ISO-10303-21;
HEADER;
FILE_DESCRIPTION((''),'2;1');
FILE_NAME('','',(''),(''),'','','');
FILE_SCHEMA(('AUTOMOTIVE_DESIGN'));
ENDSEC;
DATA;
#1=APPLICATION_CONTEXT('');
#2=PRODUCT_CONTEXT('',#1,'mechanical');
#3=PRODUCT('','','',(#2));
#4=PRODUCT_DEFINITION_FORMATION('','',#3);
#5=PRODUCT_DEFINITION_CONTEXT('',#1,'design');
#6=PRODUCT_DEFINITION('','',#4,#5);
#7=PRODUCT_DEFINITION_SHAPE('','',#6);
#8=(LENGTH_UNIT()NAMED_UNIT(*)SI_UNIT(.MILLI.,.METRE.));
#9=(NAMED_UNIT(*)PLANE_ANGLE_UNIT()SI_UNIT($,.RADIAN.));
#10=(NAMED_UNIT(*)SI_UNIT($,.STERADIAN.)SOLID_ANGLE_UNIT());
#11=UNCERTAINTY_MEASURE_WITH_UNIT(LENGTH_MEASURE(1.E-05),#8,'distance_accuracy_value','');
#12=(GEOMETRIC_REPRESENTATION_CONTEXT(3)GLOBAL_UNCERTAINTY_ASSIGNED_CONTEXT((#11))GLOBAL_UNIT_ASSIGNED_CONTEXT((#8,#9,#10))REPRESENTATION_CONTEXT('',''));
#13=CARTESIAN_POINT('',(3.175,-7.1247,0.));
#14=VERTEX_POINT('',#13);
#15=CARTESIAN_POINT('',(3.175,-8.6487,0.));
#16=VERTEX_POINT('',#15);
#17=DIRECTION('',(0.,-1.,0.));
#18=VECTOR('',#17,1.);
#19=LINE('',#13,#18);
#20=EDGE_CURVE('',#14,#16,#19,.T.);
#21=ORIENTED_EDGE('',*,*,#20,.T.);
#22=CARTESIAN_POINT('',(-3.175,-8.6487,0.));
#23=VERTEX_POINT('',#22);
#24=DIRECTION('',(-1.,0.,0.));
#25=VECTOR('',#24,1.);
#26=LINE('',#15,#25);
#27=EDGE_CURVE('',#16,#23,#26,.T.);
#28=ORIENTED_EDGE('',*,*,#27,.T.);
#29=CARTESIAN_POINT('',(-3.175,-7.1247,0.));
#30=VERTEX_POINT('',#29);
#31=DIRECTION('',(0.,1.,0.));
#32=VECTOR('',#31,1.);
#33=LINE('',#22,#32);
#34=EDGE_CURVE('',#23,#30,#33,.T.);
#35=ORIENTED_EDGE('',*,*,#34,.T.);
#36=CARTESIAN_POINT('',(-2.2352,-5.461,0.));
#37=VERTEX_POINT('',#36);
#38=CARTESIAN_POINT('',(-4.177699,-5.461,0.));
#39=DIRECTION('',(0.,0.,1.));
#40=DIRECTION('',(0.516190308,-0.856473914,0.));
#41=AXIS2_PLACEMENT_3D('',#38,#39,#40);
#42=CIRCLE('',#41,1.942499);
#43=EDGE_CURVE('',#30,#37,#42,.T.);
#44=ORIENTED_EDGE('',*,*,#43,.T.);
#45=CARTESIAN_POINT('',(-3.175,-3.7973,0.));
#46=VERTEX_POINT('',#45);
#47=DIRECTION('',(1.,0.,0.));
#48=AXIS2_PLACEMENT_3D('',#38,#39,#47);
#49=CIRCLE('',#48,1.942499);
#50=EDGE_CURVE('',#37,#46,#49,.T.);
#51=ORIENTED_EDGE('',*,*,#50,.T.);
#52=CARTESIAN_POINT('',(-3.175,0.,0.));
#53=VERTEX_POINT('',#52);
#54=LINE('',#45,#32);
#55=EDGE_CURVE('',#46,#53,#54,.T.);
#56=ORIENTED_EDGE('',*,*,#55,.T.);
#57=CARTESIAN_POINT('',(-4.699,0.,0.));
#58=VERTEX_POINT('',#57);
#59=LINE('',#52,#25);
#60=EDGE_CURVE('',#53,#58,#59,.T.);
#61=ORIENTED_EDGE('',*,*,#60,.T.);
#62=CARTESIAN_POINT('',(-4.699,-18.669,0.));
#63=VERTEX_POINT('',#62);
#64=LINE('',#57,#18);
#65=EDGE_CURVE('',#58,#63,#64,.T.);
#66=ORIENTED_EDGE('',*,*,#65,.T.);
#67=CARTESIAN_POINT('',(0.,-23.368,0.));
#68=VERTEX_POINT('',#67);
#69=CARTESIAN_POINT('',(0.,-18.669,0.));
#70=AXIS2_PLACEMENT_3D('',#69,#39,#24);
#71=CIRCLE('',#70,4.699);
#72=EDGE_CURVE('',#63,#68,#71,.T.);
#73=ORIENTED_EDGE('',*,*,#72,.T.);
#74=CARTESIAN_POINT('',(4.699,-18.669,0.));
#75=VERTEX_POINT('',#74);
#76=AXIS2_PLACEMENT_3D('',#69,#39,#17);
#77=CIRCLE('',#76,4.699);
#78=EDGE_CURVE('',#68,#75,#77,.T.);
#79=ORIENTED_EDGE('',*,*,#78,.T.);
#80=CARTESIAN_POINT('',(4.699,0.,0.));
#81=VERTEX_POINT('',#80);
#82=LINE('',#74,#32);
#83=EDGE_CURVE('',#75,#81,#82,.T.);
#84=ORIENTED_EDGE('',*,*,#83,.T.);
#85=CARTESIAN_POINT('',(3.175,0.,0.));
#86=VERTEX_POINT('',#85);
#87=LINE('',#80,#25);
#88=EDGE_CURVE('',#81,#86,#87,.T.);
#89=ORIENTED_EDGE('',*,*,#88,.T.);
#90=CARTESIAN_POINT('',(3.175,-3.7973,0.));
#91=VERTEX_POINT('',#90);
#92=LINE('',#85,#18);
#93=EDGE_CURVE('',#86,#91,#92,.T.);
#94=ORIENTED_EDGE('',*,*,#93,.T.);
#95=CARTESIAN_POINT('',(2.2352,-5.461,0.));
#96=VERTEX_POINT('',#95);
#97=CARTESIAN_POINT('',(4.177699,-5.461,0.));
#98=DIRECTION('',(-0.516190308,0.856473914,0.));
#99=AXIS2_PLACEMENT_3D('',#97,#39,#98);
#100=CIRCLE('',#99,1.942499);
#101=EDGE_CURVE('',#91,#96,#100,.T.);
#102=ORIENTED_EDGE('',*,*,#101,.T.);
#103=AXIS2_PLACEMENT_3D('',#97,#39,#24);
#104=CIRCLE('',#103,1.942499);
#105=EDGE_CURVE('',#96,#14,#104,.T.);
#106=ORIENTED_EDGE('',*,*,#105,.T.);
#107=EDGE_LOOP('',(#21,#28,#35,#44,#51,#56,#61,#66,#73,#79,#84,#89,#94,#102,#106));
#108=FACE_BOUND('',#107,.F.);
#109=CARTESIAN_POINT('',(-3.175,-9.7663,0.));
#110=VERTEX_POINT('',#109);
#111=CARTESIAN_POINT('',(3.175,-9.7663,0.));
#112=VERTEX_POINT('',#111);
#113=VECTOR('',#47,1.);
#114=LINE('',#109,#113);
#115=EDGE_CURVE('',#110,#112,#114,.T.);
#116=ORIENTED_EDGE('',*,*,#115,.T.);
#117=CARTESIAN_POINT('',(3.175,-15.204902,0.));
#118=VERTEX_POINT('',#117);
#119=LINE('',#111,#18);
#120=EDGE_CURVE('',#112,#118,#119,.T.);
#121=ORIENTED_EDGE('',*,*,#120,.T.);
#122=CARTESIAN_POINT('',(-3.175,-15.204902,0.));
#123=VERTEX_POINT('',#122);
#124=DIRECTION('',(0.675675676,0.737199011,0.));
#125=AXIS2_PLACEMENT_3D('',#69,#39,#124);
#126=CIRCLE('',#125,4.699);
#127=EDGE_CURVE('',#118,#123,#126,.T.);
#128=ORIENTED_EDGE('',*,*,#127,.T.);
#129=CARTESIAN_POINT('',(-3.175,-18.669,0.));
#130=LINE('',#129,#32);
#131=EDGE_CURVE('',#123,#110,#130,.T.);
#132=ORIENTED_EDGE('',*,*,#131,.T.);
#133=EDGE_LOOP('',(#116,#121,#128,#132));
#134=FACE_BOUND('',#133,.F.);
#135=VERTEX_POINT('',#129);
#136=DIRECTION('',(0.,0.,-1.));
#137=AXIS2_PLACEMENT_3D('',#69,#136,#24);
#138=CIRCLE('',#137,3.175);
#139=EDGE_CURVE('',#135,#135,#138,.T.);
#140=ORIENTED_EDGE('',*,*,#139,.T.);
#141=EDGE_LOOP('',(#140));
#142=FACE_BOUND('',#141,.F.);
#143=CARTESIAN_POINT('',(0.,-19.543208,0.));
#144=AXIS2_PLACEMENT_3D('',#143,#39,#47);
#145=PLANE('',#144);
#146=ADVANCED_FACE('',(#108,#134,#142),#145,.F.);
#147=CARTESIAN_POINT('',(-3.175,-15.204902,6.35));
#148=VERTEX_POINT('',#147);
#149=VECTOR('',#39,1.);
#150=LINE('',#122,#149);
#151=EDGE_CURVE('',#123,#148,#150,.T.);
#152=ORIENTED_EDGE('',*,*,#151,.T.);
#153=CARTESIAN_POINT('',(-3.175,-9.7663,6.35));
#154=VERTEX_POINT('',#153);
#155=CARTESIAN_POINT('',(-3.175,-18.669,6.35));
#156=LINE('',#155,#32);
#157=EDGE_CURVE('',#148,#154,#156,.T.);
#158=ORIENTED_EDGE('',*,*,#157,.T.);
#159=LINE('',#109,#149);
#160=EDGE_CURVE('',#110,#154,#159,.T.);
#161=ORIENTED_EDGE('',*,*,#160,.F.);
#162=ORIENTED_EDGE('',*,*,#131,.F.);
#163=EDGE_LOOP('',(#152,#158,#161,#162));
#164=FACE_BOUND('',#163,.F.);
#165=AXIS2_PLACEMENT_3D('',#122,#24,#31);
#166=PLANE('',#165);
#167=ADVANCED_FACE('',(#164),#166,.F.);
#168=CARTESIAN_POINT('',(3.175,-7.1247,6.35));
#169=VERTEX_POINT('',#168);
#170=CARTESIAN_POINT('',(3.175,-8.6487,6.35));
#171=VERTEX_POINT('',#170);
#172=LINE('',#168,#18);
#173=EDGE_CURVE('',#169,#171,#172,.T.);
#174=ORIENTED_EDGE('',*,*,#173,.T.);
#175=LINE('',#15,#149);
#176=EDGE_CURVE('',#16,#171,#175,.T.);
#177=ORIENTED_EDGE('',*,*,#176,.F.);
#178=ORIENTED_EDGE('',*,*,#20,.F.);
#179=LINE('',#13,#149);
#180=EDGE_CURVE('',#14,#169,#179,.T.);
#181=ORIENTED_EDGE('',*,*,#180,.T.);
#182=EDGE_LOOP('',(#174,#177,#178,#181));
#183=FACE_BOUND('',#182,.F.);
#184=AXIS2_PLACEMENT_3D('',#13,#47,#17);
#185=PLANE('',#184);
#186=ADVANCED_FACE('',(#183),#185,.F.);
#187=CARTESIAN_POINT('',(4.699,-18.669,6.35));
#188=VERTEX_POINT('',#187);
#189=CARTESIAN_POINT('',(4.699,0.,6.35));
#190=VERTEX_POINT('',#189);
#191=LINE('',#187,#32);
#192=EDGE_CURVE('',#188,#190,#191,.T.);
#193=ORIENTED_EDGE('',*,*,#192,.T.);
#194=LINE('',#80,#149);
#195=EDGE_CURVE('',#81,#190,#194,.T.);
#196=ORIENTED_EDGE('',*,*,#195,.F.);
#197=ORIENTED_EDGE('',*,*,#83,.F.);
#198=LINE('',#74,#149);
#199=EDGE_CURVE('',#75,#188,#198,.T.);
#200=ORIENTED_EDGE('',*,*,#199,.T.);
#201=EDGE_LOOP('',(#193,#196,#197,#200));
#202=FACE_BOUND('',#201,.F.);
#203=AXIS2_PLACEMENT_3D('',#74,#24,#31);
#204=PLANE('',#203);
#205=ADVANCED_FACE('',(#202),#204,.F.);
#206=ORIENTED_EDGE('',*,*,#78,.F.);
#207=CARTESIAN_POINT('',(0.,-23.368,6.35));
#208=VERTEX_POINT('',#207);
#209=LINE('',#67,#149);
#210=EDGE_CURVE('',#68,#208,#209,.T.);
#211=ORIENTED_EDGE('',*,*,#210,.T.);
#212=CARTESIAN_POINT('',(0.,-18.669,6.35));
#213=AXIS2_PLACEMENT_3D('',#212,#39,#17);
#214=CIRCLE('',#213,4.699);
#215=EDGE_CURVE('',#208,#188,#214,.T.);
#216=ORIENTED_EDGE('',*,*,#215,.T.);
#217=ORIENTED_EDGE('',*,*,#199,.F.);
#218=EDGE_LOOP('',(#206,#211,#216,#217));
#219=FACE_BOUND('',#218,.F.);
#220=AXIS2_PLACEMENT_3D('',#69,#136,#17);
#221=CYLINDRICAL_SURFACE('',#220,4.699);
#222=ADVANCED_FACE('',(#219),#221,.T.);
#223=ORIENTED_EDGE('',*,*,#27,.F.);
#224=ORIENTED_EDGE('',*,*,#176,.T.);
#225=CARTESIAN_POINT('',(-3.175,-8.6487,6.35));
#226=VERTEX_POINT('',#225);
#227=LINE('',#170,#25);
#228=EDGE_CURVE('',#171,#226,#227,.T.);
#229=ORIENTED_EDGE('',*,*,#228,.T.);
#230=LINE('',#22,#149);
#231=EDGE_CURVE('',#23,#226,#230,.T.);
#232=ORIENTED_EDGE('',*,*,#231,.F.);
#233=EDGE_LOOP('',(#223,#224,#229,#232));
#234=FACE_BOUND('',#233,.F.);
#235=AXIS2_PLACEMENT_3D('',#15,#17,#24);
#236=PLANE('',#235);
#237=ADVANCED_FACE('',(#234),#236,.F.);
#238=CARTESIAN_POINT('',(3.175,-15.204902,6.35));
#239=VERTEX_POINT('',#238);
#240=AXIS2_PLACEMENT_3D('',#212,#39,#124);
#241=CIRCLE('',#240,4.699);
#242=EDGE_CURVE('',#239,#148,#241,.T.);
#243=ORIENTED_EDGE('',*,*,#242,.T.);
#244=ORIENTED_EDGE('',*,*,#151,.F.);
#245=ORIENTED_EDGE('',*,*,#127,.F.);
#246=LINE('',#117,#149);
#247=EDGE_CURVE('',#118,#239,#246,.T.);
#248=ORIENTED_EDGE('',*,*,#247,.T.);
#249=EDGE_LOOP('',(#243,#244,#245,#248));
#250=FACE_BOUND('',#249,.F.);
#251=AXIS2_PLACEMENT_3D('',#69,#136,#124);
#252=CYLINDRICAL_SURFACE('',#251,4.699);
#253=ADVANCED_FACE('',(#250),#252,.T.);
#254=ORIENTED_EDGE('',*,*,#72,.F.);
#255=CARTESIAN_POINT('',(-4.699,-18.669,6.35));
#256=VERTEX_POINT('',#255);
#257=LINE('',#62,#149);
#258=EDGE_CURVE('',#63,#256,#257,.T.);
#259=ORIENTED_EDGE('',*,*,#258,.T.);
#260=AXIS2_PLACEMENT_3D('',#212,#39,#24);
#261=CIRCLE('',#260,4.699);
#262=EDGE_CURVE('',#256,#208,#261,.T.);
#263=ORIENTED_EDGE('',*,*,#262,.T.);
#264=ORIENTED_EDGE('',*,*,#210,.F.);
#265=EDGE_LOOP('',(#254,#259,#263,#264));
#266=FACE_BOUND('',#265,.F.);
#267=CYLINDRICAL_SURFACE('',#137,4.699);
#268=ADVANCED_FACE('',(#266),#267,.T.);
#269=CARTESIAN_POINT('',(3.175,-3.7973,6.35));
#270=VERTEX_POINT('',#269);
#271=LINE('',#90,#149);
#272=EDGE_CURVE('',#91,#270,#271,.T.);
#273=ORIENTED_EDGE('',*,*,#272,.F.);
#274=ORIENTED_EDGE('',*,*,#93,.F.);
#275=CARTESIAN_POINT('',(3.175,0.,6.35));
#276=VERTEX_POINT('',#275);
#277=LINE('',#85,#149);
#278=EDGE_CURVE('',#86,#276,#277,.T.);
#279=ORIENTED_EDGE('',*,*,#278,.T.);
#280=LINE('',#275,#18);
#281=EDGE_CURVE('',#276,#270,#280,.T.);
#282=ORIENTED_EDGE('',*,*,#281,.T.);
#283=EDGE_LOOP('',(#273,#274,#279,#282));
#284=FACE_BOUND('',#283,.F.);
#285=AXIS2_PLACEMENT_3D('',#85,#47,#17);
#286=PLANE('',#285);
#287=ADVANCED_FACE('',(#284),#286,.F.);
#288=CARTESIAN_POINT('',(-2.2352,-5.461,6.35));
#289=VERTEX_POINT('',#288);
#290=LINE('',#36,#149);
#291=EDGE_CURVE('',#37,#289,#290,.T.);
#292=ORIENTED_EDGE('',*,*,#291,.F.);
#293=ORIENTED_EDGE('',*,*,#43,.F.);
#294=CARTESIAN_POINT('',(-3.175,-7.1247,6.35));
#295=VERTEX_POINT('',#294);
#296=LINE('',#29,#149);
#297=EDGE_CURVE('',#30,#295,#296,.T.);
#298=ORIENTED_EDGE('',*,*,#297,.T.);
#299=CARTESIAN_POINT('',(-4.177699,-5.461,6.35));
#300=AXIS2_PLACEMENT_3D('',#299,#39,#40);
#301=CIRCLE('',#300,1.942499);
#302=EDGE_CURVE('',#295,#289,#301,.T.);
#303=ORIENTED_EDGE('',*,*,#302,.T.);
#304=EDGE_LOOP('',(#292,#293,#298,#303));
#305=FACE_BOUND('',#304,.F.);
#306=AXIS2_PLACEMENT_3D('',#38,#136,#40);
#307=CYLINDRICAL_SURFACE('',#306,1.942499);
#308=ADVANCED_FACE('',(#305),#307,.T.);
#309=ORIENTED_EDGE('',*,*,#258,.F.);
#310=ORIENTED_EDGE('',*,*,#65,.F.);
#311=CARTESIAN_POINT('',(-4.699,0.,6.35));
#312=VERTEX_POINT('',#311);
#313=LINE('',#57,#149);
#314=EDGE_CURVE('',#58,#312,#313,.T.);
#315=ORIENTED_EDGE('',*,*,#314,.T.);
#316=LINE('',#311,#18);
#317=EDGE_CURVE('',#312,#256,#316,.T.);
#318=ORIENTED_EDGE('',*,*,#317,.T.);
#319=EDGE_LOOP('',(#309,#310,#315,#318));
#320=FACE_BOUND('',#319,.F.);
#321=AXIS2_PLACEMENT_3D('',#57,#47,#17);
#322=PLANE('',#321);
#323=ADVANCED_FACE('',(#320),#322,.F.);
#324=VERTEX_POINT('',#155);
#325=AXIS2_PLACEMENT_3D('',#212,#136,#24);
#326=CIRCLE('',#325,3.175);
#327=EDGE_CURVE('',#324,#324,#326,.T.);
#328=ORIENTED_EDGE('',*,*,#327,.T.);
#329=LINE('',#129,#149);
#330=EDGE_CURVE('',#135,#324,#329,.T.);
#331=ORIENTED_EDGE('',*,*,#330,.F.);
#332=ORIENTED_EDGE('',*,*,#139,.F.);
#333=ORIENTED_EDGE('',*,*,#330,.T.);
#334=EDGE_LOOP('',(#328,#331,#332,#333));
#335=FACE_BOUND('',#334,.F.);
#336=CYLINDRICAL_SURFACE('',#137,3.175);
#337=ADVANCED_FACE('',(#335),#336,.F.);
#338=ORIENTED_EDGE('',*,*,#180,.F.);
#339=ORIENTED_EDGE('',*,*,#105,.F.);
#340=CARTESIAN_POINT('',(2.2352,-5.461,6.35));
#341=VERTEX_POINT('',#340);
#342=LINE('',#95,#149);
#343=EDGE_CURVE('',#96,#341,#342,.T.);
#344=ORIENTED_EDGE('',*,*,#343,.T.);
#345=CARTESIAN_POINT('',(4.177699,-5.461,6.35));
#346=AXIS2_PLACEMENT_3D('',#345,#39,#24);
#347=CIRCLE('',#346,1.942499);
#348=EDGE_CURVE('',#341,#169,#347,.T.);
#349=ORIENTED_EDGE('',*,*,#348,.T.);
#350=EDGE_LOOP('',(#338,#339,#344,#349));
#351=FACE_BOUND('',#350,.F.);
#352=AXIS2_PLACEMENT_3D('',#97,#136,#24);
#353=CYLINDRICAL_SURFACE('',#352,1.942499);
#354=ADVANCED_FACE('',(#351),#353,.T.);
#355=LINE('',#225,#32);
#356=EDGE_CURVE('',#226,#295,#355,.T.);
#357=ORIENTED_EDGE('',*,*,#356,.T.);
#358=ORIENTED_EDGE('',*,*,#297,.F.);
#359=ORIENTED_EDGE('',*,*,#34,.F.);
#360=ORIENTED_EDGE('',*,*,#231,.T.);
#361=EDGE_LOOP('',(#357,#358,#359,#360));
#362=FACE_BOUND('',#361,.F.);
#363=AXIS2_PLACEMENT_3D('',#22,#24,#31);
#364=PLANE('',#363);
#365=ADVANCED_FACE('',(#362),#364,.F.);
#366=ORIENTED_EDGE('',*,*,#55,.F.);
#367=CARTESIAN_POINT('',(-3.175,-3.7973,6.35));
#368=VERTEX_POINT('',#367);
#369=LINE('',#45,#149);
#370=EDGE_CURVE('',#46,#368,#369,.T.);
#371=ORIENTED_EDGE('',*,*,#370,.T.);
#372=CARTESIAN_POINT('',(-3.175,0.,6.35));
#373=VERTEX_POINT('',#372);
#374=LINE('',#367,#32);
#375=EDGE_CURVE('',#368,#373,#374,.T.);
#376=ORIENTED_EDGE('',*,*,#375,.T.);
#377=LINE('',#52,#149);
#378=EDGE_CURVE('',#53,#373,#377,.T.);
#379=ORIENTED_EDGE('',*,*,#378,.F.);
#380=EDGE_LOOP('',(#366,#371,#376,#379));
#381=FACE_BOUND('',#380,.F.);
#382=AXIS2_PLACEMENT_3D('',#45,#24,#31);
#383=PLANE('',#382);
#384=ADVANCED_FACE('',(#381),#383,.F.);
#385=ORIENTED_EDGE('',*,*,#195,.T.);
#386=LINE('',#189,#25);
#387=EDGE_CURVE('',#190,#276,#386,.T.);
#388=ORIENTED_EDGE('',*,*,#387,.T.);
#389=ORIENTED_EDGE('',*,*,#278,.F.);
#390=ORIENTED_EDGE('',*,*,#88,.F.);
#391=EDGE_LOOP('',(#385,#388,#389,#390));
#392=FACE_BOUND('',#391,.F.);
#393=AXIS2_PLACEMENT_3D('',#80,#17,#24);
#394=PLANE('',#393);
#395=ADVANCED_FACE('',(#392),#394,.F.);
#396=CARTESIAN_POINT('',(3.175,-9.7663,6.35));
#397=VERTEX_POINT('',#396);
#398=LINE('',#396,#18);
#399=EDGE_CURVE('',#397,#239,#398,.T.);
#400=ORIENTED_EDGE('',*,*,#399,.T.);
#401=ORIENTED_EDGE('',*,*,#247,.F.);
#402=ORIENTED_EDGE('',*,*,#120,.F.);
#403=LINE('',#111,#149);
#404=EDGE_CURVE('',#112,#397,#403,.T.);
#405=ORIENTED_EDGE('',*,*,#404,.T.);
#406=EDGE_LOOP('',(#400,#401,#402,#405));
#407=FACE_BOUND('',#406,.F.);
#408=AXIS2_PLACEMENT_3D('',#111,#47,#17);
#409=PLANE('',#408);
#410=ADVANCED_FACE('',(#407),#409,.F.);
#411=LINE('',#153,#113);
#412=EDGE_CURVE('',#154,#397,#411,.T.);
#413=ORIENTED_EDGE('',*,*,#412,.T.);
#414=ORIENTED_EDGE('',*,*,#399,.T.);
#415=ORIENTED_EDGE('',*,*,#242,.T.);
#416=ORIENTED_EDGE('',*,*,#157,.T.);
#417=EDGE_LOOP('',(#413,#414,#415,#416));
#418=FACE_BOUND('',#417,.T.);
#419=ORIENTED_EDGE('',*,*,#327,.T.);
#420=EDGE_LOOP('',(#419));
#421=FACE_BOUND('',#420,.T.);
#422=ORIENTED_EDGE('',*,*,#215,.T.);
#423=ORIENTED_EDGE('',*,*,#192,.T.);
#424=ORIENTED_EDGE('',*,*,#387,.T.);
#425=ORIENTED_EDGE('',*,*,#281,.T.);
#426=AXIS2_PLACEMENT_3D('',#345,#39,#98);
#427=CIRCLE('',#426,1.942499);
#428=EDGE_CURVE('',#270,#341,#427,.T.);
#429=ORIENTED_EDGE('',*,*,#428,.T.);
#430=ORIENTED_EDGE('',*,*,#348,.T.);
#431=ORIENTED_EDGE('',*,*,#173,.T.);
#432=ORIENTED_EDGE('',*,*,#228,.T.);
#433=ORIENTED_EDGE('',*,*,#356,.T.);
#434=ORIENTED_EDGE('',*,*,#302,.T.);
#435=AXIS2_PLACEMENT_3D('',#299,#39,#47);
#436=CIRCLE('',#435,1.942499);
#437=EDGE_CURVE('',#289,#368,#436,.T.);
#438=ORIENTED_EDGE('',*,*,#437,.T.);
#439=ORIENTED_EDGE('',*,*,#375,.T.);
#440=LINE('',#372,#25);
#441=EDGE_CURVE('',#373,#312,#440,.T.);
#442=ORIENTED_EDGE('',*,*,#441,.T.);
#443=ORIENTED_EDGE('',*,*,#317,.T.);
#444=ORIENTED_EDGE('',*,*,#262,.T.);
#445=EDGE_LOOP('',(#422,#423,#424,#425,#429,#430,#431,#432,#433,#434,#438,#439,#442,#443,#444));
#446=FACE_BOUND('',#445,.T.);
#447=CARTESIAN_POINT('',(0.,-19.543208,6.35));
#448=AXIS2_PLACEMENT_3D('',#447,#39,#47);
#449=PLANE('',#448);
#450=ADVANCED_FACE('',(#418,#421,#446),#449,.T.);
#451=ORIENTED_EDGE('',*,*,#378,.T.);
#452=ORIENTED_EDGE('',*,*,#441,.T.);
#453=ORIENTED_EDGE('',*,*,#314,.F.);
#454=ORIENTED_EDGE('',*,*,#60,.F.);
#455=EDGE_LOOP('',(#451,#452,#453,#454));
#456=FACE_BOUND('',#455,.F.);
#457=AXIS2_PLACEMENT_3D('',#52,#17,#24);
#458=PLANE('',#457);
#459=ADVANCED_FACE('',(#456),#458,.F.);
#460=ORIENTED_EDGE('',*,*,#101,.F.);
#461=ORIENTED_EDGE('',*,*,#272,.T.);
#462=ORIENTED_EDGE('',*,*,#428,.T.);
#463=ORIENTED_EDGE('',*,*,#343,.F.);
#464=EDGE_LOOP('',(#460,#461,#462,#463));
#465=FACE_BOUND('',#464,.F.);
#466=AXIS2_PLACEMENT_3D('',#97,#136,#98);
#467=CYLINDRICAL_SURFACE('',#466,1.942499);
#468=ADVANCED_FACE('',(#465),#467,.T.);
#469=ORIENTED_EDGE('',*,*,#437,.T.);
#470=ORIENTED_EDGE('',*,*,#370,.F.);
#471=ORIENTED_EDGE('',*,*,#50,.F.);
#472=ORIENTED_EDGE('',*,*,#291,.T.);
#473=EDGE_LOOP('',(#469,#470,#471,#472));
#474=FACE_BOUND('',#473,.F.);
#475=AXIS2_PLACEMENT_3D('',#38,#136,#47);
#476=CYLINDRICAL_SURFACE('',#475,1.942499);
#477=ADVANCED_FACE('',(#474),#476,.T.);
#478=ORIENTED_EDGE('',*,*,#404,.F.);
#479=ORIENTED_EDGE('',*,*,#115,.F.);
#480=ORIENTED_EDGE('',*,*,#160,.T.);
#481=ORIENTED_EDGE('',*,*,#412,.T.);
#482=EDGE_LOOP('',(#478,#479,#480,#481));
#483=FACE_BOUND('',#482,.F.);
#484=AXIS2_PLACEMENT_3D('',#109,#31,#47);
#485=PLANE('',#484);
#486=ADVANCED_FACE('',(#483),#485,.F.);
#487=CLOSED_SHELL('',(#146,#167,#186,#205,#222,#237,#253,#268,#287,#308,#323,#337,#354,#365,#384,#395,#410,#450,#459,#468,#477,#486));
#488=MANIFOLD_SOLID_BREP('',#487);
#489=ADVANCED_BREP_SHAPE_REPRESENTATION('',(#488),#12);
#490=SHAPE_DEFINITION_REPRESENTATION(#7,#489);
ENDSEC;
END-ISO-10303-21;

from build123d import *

# Parameters (mm, degrees)
F1_DEPTH = 6.35


with BuildPart() as f1:
    # F0 (on Top) → F1 (new body)
    with BuildSketch(Plane.XY):
        with BuildLine():
            Line((-3.175, -18.669), (-3.175, -15.204901849))
            ThreePointArc((-3.175, -15.204901849), (-4.3011583324, -16.7767426179), (-4.699, -18.669))
            ThreePointArc((-4.699, -18.669), (-3.3226947648, -21.9916947648), (0, -23.368))
            ThreePointArc((0, -23.368), (3.3226947648, -21.9916947648), (4.699, -18.669))
            ThreePointArc((4.699, -18.669), (4.3011583324, -16.7767426179), (3.175, -15.204901849))
            Line((3.175, -15.204901849), (3.175, -18.669))
            ThreePointArc((3.175, -18.669), (0, -21.844), (-3.175, -18.669))
        make_face()
        with BuildLine():
            Line((-3.175, -15.204901849), (-3.175, -9.7663))
            Line((-3.175, -9.7663), (-4.699, -9.7663))
            Line((-4.699, -9.7663), (-4.699, -18.669))
            ThreePointArc((-4.699, -18.669), (-4.3011583324, -16.7767426179), (-3.175, -15.204901849))
        make_face()
        with BuildLine():
            Line((4.699, -9.7663), (3.175, -9.7663))
            Line((3.175, -9.7663), (3.175, -15.204901849))
            ThreePointArc((3.175, -15.204901849), (4.3011583324, -16.7767426179), (4.699, -18.669))
            Line((4.699, -18.669), (4.699, -9.7663))
        make_face()
        with BuildLine():
            ThreePointArc((3.175, -15.204901849), (0, -13.97), (-3.175, -15.204901849))
            Line((-3.175, -15.204901849), (-3.175, -18.669))
            ThreePointArc((-3.175, -18.669), (0, -15.494), (3.175, -18.669))
            Line((3.175, -18.669), (3.175, -15.204901849))
        make_face()
        Polygon((2.2352, -8.6487), (0, -8.6487), (-2.2352, -8.6487), (-3.175, -8.6487), (-3.175, -9.7663), (3.175, -9.7663), (3.175, -8.6487), align=None)
        with BuildLine():
            ThreePointArc((4.699, -7.3322426969), (3.9155835913, -7.3857334796), (3.175, -7.1247))
            Line((3.175, -7.1247), (3.175, -8.6487))
            Line((3.175, -8.6487), (3.175, -9.7663))
            Line((3.175, -9.7663), (4.699, -9.7663))
            Line((4.699, -9.7663), (4.699, -7.3322426969))
        make_face()
        with BuildLine():
            Line((-3.175, -8.6487), (-3.175, -7.1247))
            ThreePointArc((-3.175, -7.1247), (-3.9155835913, -7.3857334796), (-4.699, -7.3322426969))
            Line((-4.699, -7.3322426969), (-4.699, -9.7663))
            Line((-4.699, -9.7663), (-3.175, -9.7663))
            Line((-3.175, -9.7663), (-3.175, -8.6487))
        make_face()
        with BuildLine():
            Line((-3.175, -7.1247), (-3.175, -3.7973))
            ThreePointArc((-3.175, -3.7973), (-3.9155835913, -3.5362665204), (-4.699, -3.5897573031))
            Line((-4.699, -3.5897573031), (-4.699, -7.3322426969))
            ThreePointArc((-4.699, -7.3322426969), (-3.9155835913, -7.3857334796), (-3.175, -7.1247))
        make_face()
        with BuildLine():
            ThreePointArc((-2.2352, -5.461), (-2.4863911938, -4.5056045675), (-3.175, -3.7973))
            Line((-3.175, -3.7973), (-3.175, -7.1247))
            ThreePointArc((-3.175, -7.1247), (-2.4863911938, -6.4163954325), (-2.2352, -5.461))
        make_face()
        with BuildLine():
            Line((3.175, -7.1247), (3.175, -3.7973))
            ThreePointArc((3.175, -3.7973), (2.4863911937, -4.5056045676), (2.2352, -5.4610000002))
            ThreePointArc((2.2352, -5.4610000002), (2.4863911938, -6.4163954326), (3.175, -7.1247))
        make_face()
        with BuildLine():
            ThreePointArc((4.699, -3.5897573031), (3.9155835913, -3.5362665204), (3.175, -3.7973))
            Line((3.175, -3.7973), (3.175, -7.1247))
            ThreePointArc((3.175, -7.1247), (3.9155835913, -7.3857334796), (4.699, -7.3322426969))
            Line((4.699, -7.3322426969), (4.699, -3.5897573031))
        make_face()
        with BuildLine():
            Line((4.699, 0), (3.175, 0))
            Line((3.175, 0), (3.175, -3.7973))
            ThreePointArc((3.175, -3.7973), (3.9155835913, -3.5362665204), (4.699, -3.5897573031))
            Line((4.699, -3.5897573031), (4.699, 0))
        make_face()
        with BuildLine():
            Line((-3.175, -3.7973), (-3.175, 0))
            Line((-3.175, 0), (-4.699, 0))
            Line((-4.699, 0), (-4.699, -3.5897573031))
            ThreePointArc((-4.699, -3.5897573031), (-3.9155835913, -3.5362665204), (-3.175, -3.7973))
        make_face()
    extrude(amount=F1_DEPTH)


solid = f1.part
